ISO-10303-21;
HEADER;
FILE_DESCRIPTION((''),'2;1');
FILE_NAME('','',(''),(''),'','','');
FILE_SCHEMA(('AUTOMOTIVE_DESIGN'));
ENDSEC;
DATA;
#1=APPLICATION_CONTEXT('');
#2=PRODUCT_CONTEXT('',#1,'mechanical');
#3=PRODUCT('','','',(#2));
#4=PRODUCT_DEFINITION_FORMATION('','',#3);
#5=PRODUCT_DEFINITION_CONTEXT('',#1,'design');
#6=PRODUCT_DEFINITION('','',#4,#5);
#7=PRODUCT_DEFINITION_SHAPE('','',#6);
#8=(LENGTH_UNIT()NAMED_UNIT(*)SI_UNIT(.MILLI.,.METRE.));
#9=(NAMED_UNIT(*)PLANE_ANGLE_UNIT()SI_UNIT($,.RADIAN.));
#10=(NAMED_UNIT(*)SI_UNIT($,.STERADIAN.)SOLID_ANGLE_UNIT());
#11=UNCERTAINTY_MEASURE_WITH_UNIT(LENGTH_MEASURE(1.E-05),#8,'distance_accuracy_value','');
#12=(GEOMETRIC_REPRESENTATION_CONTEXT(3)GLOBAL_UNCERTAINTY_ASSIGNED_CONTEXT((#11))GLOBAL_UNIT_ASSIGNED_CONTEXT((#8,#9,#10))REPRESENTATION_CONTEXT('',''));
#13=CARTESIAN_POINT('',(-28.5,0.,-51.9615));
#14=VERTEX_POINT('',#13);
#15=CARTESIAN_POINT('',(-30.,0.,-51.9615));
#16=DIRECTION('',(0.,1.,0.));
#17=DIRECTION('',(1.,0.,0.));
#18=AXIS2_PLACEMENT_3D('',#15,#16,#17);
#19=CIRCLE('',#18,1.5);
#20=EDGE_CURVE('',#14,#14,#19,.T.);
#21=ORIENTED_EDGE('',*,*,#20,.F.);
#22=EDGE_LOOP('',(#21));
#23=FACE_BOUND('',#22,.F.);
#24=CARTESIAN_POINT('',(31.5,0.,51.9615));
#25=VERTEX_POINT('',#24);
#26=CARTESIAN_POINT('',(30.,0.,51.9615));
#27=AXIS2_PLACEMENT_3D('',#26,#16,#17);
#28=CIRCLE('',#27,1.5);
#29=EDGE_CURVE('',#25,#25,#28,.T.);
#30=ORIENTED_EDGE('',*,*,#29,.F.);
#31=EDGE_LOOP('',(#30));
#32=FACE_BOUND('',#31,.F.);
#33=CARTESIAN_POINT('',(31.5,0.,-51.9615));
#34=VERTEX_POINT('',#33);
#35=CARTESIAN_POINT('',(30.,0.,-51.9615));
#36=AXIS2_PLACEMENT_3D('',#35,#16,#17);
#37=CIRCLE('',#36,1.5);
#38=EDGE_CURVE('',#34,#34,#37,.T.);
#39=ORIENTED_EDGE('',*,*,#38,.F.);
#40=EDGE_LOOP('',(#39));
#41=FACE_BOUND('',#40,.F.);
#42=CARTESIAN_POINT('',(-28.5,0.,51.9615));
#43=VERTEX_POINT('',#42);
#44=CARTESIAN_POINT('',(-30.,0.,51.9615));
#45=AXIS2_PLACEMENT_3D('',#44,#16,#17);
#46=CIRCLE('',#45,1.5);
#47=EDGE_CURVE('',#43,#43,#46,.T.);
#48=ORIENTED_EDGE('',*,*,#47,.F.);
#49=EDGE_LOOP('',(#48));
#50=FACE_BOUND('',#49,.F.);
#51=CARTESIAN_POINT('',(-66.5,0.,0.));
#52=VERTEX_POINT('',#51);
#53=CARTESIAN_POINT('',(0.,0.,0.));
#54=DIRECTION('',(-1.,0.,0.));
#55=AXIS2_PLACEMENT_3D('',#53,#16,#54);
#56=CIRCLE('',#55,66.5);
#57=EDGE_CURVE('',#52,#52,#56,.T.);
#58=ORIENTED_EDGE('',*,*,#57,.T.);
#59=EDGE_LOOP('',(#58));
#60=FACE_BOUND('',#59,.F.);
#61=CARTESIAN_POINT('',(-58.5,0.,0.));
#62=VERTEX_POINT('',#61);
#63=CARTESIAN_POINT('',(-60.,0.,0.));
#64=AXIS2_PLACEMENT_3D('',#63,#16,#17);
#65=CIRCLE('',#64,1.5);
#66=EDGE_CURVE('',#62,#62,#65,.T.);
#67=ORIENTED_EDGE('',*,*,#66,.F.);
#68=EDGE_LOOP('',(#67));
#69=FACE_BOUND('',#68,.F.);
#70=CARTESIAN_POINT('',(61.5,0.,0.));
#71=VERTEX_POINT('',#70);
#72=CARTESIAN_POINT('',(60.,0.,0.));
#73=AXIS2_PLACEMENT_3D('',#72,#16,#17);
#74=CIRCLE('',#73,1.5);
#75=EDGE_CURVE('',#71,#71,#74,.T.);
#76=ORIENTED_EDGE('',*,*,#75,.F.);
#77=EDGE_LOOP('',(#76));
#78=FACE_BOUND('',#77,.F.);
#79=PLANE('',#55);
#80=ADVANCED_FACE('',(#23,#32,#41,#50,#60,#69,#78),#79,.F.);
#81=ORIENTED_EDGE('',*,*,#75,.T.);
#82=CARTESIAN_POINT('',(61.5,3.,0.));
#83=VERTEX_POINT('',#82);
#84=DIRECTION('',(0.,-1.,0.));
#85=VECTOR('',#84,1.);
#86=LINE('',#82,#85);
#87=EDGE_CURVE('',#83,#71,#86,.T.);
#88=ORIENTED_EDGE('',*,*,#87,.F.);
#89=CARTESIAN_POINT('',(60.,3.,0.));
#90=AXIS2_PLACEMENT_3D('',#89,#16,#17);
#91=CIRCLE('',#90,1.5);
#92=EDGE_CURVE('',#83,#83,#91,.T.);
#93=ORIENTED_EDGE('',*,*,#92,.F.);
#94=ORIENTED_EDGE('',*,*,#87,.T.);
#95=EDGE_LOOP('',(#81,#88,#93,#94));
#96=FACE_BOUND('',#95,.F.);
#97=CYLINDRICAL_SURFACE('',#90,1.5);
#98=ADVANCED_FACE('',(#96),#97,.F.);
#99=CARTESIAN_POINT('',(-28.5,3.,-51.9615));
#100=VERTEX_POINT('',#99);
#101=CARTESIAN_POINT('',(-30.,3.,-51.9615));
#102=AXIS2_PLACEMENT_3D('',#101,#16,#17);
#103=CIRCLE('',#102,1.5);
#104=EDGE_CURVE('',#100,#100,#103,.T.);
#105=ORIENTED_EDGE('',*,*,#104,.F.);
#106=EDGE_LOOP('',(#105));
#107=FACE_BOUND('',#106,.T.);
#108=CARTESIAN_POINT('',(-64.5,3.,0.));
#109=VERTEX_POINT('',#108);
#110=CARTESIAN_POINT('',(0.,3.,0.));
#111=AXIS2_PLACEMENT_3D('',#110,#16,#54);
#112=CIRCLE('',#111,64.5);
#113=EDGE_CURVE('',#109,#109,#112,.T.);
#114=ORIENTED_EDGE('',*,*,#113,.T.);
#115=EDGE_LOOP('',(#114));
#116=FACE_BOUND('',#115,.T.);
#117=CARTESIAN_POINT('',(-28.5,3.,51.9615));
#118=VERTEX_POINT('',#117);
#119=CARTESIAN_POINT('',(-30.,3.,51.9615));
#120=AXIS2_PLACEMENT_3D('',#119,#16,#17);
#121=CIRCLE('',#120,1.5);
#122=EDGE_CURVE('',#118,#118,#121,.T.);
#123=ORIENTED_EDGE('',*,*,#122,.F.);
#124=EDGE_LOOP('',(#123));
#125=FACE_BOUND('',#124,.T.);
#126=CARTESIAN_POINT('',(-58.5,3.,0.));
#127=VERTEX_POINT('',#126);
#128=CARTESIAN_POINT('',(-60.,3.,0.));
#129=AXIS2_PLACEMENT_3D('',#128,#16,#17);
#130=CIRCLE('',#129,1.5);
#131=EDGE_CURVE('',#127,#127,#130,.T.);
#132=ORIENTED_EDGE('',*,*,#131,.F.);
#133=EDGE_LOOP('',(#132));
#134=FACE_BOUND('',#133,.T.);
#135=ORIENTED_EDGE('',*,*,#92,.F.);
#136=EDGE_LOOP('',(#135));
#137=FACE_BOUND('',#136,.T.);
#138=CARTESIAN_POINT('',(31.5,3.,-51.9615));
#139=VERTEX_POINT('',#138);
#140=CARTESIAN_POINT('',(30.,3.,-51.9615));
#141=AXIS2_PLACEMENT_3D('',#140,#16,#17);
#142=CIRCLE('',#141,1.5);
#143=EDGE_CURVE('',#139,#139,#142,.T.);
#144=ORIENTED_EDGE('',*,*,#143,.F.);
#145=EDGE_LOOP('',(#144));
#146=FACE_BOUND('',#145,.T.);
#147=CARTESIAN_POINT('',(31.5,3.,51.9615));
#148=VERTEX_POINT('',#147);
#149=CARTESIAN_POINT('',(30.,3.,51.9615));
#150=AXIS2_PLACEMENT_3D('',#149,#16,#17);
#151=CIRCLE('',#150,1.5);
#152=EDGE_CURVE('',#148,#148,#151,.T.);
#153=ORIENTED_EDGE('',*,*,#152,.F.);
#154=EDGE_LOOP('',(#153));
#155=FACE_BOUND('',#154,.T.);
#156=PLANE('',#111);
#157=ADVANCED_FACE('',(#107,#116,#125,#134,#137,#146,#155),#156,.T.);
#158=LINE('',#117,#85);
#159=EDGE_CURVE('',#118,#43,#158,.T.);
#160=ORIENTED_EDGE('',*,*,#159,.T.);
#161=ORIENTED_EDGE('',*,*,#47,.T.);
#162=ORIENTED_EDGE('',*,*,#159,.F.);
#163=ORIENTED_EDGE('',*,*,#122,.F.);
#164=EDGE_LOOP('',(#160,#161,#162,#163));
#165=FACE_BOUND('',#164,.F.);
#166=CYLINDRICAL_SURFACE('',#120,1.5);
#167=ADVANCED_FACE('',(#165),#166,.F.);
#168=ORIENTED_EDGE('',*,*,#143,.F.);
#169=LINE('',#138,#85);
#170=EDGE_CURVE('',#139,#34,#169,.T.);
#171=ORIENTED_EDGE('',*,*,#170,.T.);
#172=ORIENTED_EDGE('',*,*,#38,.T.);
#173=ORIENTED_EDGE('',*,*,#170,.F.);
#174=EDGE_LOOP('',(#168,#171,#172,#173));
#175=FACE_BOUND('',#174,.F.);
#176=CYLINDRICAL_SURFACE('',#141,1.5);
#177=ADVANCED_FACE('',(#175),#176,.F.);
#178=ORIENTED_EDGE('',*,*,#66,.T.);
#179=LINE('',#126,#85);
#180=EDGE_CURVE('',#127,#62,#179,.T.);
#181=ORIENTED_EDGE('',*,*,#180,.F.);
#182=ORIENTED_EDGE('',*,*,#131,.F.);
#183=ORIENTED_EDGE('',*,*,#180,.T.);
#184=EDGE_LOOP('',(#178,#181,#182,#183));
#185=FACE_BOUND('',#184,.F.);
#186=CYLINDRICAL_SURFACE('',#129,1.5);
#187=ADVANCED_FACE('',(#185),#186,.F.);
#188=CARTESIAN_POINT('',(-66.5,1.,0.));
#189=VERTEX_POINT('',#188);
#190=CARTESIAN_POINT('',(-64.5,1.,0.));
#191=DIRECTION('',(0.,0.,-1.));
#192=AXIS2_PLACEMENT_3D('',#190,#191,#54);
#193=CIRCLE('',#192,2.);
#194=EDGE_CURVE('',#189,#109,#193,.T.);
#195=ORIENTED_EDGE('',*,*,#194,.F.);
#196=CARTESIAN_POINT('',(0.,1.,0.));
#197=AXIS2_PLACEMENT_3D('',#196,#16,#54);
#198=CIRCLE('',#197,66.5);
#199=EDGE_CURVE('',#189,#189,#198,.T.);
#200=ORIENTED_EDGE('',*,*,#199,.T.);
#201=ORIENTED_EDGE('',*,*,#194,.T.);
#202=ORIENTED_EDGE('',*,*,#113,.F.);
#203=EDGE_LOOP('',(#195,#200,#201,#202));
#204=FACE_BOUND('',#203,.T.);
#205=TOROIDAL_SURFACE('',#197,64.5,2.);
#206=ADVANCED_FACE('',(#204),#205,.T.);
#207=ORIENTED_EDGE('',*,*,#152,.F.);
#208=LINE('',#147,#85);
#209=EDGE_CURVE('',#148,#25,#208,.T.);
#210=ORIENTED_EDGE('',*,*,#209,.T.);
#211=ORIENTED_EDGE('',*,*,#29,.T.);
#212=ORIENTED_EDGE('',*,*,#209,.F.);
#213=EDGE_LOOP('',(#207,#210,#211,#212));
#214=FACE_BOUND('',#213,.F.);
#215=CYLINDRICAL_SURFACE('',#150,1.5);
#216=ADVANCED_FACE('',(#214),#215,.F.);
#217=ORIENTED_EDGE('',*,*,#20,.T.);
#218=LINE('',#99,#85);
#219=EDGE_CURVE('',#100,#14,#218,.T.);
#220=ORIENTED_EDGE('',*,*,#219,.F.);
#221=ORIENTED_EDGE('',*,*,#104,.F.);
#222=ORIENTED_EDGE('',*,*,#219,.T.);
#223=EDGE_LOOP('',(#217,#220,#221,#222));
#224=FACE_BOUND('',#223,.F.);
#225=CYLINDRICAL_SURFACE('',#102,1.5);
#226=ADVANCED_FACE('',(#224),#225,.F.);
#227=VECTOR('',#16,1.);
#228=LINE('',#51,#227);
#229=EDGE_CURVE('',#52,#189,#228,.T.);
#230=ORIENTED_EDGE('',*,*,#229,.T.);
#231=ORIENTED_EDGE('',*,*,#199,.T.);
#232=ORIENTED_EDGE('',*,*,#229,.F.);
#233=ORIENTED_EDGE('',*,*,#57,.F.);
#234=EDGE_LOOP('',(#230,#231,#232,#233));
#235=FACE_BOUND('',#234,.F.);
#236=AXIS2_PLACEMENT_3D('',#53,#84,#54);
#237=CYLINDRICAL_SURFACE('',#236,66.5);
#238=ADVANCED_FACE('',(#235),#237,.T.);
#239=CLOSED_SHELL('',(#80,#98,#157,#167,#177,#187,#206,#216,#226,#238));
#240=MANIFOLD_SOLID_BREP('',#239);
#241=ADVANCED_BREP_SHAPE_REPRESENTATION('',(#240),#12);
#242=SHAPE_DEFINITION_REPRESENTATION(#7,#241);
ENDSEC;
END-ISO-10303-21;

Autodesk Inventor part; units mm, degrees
ref_plane "YZ Plane" through (0, 0, 0) normal (1, 0, 0) x (0, 1, 0)
ref_plane "XZ Plane" through (0, 0, 0) normal (0, 1, 0) x (-1, 0, 0)
ref_plane "XY Plane" through (0, 0, 0) normal (0, 0, 1) x (1, 0, 0)
sketch "Sketch1" plane through (0, 0, 0) normal (0, 1, 0) x (-1, 0, 0)
  circle A0 centre (0, 0) radius 66.5
  dimension "d0" = 133
extrude "Extrusion1" add sketch "Sketch1" along normal blind 3
sketch "Sketch2" plane through (0, 3, 0) normal (0, 1, 0) x (1, 0, 0)
  circle A0 centre (0, 0) radius 55
  circle A1 centre (-60, 0) radius 1.5
  circle A2 centre (-30, -51.9615) radius 1.5
  circle A3 centre (30, -51.9615) radius 1.5
  circle A4 centre (60, 0) radius 1.5
  circle A5 centre (30, 51.9615) radius 1.5
  circle A6 centre (-30, 51.9615) radius 1.5
  dimension "d3" = 110
  dimension "d4" = 3
  dimension "d5" = 60
  dimension "d8" = 360
extrude "Extrusion2" cut sketch "Sketch2" against normal blind 3 contours A1 | A2 | A3 | A4 | A5 | A6
fillet "Fillet1" radius 2 1 edges at (66.5, 3, 0)
properties part number "Top"
